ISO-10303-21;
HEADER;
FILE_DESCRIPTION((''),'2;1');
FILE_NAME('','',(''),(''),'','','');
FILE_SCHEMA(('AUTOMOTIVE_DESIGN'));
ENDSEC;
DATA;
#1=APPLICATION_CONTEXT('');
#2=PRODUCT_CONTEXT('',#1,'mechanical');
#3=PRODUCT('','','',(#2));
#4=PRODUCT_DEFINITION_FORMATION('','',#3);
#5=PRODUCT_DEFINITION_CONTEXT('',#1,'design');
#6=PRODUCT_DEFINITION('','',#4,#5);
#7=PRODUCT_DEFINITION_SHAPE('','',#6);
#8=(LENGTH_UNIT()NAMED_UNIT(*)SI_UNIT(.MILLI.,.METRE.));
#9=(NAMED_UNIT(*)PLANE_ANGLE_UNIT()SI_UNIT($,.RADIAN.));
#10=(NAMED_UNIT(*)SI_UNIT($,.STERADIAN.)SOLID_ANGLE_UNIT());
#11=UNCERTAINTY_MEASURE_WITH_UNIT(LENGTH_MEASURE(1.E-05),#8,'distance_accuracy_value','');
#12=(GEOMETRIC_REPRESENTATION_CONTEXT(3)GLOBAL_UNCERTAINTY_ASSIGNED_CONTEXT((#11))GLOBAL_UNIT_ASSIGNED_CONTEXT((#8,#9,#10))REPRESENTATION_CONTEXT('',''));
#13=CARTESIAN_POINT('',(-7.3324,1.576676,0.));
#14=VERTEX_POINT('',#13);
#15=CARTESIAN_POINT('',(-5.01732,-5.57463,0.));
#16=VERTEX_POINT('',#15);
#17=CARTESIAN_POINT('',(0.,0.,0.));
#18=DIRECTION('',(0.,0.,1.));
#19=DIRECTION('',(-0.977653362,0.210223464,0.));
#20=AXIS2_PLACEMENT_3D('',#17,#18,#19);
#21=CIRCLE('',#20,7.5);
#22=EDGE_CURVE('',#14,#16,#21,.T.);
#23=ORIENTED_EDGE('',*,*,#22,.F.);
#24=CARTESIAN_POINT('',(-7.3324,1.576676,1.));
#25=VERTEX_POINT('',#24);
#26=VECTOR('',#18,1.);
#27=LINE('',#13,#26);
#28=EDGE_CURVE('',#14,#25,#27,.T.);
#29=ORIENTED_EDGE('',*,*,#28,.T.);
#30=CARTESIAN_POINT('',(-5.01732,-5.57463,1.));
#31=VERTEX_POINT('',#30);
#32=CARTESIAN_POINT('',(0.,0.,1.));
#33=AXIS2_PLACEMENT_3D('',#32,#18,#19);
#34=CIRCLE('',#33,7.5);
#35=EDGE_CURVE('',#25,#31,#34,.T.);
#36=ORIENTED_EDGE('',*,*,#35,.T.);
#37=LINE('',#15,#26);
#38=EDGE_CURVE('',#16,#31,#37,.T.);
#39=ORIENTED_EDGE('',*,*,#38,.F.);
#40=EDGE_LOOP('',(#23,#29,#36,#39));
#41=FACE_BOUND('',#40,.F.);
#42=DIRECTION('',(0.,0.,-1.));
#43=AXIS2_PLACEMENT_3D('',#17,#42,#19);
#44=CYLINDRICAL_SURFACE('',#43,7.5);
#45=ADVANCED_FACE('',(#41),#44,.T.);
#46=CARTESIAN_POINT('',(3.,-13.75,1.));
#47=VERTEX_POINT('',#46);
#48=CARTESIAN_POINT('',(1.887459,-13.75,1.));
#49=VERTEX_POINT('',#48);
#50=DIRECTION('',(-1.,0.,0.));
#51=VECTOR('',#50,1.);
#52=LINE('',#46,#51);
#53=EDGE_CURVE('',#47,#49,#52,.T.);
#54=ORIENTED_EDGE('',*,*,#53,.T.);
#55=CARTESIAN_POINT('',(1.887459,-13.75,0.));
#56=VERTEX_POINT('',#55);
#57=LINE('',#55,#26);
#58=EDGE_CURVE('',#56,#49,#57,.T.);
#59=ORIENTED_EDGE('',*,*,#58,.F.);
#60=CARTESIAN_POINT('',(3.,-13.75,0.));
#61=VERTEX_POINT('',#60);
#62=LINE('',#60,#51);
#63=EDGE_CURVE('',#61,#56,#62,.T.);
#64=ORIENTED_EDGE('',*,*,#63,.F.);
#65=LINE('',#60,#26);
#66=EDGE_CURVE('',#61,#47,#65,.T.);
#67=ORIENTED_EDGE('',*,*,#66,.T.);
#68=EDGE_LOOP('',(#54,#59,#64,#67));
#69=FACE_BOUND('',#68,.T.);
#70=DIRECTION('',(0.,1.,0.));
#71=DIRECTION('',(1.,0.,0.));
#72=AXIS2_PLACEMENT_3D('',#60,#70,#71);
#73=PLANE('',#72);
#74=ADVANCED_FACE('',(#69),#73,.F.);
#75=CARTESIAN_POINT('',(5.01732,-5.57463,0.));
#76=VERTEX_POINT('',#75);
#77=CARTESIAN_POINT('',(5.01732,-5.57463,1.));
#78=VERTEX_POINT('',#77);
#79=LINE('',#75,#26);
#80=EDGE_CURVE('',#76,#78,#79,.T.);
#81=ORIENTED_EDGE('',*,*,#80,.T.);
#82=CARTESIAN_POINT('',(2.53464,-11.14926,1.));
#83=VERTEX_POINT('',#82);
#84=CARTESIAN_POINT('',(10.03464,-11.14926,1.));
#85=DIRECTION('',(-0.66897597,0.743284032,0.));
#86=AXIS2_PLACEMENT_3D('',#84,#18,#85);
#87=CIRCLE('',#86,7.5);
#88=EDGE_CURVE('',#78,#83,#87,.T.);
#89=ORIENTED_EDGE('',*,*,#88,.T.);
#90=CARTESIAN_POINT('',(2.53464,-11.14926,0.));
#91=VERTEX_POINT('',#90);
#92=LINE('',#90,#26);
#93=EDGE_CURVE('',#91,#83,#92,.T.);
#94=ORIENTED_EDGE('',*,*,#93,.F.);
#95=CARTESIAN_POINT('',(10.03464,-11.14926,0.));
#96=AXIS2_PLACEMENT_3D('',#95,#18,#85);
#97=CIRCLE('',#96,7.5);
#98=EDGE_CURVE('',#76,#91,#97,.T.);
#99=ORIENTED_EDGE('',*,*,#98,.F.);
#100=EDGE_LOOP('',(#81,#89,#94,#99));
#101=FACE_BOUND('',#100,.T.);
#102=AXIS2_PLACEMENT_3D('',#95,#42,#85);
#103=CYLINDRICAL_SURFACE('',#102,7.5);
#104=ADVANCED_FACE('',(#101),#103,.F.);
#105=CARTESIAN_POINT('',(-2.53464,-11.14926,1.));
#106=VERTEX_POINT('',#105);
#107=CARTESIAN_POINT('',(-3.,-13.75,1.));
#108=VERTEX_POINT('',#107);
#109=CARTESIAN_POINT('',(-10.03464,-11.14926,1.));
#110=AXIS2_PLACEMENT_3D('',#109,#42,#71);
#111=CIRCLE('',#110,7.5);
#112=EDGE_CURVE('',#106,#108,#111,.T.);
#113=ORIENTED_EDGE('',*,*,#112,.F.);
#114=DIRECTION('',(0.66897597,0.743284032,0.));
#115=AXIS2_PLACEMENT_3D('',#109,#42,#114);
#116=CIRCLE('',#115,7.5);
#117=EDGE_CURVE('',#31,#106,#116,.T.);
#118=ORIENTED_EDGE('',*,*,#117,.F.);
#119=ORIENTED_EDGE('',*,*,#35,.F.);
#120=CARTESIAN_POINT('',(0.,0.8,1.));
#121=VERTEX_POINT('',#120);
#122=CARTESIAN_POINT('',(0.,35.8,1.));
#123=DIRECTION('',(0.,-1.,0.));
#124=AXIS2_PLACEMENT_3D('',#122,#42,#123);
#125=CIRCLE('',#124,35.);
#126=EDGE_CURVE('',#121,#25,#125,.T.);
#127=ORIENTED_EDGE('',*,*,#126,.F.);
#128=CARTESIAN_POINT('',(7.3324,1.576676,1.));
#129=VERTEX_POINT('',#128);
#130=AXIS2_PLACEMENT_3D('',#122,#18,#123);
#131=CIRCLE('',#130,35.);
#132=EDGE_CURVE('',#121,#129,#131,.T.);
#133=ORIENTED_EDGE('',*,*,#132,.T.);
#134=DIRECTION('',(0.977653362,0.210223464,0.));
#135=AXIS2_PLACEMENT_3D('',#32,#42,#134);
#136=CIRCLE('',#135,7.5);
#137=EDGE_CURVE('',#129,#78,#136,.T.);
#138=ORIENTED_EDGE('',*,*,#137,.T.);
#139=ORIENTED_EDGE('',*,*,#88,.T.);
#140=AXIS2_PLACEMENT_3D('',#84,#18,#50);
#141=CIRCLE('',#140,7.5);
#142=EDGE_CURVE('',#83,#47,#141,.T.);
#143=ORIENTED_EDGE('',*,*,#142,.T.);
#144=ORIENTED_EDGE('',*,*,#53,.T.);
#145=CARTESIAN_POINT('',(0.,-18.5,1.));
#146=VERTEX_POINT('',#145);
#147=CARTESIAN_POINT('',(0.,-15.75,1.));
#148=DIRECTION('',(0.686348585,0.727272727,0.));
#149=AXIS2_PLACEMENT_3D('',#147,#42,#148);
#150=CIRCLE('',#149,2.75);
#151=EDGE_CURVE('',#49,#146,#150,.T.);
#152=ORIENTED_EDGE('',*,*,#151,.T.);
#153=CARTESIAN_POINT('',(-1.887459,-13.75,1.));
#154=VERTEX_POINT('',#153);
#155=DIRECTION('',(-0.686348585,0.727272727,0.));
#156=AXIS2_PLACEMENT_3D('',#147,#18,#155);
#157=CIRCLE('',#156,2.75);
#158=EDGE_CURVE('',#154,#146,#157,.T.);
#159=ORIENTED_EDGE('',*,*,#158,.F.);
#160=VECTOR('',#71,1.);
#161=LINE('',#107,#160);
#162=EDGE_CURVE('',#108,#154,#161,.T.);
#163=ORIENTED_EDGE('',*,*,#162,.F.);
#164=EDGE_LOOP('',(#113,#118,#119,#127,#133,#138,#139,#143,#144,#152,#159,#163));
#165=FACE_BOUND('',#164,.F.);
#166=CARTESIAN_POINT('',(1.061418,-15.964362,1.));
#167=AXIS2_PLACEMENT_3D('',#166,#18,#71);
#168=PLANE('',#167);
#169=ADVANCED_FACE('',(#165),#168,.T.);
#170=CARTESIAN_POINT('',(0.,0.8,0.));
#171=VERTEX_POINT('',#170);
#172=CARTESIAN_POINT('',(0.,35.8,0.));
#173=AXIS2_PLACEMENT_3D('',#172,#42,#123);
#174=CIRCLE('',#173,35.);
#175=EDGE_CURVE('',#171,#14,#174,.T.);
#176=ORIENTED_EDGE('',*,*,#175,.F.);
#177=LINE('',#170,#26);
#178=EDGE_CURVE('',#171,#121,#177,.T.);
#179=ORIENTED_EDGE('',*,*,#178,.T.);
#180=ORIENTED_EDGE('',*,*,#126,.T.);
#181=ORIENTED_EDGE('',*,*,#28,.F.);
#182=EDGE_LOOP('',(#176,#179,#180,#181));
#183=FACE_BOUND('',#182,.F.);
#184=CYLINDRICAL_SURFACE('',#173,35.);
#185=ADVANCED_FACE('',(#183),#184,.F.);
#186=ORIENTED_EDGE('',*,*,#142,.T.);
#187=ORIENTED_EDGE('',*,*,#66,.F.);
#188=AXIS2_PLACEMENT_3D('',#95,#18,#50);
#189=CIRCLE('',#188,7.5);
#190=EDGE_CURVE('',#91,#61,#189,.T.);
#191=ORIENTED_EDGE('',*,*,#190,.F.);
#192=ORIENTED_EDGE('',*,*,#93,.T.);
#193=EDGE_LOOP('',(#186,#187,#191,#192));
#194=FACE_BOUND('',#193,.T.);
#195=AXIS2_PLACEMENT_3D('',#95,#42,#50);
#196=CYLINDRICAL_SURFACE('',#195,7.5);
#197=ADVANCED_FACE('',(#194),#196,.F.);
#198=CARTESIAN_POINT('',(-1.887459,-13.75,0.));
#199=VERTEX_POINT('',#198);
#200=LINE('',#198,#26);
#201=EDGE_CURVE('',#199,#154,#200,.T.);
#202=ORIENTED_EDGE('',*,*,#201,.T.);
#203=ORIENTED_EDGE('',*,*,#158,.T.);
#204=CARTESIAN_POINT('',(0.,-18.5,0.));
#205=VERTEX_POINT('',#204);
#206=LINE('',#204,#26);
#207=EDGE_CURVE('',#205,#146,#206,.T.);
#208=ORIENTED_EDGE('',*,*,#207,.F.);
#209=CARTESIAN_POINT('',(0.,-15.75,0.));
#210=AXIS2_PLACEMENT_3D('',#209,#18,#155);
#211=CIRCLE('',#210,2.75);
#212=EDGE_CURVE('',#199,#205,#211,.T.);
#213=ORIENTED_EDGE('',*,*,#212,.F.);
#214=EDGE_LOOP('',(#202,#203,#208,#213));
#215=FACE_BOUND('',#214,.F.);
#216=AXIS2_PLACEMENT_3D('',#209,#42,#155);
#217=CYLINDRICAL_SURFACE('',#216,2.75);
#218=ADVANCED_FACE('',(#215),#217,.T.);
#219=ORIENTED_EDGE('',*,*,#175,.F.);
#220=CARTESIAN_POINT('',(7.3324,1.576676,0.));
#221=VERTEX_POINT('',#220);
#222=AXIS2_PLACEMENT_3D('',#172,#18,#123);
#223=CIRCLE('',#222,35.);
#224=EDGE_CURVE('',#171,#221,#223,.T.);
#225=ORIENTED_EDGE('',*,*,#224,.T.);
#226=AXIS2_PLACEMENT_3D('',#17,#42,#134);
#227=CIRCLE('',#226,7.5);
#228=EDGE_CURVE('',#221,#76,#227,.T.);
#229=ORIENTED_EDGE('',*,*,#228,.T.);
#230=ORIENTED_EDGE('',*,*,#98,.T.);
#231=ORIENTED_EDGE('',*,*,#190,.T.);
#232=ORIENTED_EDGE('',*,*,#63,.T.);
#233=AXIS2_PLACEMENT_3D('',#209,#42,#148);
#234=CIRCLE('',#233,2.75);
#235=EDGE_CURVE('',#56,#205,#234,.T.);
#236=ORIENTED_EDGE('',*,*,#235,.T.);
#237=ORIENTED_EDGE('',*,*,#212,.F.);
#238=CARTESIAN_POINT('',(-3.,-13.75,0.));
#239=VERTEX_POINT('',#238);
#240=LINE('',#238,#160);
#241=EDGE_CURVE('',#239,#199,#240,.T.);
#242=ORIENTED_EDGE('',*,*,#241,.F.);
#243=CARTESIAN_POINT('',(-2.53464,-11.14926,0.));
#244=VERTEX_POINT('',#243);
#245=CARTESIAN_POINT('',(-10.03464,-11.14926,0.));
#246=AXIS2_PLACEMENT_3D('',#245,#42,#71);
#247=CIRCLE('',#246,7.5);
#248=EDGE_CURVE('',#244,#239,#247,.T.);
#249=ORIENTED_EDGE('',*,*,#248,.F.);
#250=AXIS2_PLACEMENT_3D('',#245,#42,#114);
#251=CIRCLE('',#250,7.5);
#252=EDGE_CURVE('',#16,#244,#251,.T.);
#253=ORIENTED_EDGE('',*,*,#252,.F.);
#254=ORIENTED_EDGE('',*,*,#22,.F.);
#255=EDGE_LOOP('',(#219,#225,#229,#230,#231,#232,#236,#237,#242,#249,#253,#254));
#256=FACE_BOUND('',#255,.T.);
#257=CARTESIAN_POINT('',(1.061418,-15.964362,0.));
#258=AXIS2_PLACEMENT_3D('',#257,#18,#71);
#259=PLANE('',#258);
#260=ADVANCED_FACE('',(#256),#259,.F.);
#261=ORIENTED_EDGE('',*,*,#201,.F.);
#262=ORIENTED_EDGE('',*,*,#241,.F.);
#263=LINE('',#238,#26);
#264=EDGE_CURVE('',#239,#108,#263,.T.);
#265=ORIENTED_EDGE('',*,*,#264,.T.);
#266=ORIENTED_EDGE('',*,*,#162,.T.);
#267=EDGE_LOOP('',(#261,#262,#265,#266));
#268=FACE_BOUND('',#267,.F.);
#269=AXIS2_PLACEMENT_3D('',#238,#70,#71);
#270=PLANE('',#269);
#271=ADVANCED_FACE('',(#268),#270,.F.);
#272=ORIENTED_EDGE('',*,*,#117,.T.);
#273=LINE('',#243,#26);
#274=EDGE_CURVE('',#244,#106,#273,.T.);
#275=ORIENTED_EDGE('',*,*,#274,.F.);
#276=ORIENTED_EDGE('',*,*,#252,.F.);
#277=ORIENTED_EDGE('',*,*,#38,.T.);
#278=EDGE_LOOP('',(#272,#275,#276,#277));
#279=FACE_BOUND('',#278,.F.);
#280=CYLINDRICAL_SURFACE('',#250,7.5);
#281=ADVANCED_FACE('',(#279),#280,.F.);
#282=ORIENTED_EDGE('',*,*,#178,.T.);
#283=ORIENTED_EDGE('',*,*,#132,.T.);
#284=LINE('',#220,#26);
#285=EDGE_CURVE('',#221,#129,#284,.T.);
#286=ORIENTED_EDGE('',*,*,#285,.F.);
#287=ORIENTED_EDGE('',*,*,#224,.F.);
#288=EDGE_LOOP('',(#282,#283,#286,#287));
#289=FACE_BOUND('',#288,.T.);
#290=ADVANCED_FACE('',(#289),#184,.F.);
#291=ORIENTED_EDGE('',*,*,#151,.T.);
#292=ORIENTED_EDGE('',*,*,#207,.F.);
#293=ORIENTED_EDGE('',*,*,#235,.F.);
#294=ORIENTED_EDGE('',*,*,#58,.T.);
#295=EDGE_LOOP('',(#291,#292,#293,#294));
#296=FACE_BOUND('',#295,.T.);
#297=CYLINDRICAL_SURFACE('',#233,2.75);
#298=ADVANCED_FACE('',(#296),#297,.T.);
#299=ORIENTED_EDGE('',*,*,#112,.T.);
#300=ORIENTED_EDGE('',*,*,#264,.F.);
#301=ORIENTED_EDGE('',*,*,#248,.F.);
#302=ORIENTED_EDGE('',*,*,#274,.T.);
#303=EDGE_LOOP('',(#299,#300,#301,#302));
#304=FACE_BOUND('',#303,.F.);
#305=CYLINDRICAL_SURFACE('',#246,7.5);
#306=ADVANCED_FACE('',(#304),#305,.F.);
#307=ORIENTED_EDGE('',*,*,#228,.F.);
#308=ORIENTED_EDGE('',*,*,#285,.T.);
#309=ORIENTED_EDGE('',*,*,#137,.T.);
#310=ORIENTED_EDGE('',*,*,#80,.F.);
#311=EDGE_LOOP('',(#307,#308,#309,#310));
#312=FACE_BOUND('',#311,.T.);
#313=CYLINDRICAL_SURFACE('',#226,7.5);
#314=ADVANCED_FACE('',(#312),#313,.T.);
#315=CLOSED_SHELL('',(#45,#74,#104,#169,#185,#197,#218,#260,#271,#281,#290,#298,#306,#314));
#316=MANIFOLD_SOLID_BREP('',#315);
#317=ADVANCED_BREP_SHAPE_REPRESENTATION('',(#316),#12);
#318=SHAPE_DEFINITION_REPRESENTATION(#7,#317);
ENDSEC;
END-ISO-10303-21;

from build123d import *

# Parameters (mm, degrees)
F1_DEPTH = 1


with BuildPart() as f1:
    # F0 (on Top) → F1 (new body)
    with BuildSketch(Plane.XY):
        with BuildLine():
            Line((0, -18.5), (0, -13.75))
            Line((0, -13.75), (-1.8874586088, -13.75))
            ThreePointArc((-1.8874586088, -13.75), (-2.5556310375, -16.7655048006), (0, -18.5))
        make_face()
        with BuildLine():
            ThreePointArc((-5.0173197948, -5.5746302189), (-2.6870312018, -7.0021327694), (0, -7.5))
            Line((0, -7.5), (0, 0))
            Line((0, 0), (0, 0.8))
            ThreePointArc((0, 0.8), (-3.6867098623, 0.9947105975), (-7.3324002115, 1.5766759777))
            ThreePointArc((-7.3324002115, 1.5766759777), (-7.1354180773, -2.3099369824), (-5.0173197948, -5.5746302189))
        make_face()
        with BuildLine():
            Line((0, -13), (0, -7.5))
            ThreePointArc((0, -7.5), (-2.6870312018, -7.0021327694), (-5.0173197948, -5.5746302189))
            ThreePointArc((-5.0173197948, -5.5746302189), (-3.183366025, -8.0980228642), (-2.5346395668, -11.1492604581))
            ThreePointArc((-2.5346395668, -11.1492604581), (-2.6518962843, -12.4702834043), (-3, -13.75))
            Line((-3, -13.75), (-1.8874586088, -13.75))
            ThreePointArc((-1.8874586088, -13.75), (-1.0155048006, -13.1943689625), (0, -13))
        make_face()
        with BuildLine():
            Line((0, -13.75), (0, -13))
            ThreePointArc((0, -13), (-1.0155048006, -13.1943689625), (-1.8874586088, -13.75))
            Line((-1.8874586088, -13.75), (0, -13.75))
        make_face()
    extrude(amount=F1_DEPTH)

    # F2: F1 across plane


with BuildPart() as f1_1:
    add(f1.part)
    add(f1.part.mirror(Plane.YZ))


solid = f1_1.part
